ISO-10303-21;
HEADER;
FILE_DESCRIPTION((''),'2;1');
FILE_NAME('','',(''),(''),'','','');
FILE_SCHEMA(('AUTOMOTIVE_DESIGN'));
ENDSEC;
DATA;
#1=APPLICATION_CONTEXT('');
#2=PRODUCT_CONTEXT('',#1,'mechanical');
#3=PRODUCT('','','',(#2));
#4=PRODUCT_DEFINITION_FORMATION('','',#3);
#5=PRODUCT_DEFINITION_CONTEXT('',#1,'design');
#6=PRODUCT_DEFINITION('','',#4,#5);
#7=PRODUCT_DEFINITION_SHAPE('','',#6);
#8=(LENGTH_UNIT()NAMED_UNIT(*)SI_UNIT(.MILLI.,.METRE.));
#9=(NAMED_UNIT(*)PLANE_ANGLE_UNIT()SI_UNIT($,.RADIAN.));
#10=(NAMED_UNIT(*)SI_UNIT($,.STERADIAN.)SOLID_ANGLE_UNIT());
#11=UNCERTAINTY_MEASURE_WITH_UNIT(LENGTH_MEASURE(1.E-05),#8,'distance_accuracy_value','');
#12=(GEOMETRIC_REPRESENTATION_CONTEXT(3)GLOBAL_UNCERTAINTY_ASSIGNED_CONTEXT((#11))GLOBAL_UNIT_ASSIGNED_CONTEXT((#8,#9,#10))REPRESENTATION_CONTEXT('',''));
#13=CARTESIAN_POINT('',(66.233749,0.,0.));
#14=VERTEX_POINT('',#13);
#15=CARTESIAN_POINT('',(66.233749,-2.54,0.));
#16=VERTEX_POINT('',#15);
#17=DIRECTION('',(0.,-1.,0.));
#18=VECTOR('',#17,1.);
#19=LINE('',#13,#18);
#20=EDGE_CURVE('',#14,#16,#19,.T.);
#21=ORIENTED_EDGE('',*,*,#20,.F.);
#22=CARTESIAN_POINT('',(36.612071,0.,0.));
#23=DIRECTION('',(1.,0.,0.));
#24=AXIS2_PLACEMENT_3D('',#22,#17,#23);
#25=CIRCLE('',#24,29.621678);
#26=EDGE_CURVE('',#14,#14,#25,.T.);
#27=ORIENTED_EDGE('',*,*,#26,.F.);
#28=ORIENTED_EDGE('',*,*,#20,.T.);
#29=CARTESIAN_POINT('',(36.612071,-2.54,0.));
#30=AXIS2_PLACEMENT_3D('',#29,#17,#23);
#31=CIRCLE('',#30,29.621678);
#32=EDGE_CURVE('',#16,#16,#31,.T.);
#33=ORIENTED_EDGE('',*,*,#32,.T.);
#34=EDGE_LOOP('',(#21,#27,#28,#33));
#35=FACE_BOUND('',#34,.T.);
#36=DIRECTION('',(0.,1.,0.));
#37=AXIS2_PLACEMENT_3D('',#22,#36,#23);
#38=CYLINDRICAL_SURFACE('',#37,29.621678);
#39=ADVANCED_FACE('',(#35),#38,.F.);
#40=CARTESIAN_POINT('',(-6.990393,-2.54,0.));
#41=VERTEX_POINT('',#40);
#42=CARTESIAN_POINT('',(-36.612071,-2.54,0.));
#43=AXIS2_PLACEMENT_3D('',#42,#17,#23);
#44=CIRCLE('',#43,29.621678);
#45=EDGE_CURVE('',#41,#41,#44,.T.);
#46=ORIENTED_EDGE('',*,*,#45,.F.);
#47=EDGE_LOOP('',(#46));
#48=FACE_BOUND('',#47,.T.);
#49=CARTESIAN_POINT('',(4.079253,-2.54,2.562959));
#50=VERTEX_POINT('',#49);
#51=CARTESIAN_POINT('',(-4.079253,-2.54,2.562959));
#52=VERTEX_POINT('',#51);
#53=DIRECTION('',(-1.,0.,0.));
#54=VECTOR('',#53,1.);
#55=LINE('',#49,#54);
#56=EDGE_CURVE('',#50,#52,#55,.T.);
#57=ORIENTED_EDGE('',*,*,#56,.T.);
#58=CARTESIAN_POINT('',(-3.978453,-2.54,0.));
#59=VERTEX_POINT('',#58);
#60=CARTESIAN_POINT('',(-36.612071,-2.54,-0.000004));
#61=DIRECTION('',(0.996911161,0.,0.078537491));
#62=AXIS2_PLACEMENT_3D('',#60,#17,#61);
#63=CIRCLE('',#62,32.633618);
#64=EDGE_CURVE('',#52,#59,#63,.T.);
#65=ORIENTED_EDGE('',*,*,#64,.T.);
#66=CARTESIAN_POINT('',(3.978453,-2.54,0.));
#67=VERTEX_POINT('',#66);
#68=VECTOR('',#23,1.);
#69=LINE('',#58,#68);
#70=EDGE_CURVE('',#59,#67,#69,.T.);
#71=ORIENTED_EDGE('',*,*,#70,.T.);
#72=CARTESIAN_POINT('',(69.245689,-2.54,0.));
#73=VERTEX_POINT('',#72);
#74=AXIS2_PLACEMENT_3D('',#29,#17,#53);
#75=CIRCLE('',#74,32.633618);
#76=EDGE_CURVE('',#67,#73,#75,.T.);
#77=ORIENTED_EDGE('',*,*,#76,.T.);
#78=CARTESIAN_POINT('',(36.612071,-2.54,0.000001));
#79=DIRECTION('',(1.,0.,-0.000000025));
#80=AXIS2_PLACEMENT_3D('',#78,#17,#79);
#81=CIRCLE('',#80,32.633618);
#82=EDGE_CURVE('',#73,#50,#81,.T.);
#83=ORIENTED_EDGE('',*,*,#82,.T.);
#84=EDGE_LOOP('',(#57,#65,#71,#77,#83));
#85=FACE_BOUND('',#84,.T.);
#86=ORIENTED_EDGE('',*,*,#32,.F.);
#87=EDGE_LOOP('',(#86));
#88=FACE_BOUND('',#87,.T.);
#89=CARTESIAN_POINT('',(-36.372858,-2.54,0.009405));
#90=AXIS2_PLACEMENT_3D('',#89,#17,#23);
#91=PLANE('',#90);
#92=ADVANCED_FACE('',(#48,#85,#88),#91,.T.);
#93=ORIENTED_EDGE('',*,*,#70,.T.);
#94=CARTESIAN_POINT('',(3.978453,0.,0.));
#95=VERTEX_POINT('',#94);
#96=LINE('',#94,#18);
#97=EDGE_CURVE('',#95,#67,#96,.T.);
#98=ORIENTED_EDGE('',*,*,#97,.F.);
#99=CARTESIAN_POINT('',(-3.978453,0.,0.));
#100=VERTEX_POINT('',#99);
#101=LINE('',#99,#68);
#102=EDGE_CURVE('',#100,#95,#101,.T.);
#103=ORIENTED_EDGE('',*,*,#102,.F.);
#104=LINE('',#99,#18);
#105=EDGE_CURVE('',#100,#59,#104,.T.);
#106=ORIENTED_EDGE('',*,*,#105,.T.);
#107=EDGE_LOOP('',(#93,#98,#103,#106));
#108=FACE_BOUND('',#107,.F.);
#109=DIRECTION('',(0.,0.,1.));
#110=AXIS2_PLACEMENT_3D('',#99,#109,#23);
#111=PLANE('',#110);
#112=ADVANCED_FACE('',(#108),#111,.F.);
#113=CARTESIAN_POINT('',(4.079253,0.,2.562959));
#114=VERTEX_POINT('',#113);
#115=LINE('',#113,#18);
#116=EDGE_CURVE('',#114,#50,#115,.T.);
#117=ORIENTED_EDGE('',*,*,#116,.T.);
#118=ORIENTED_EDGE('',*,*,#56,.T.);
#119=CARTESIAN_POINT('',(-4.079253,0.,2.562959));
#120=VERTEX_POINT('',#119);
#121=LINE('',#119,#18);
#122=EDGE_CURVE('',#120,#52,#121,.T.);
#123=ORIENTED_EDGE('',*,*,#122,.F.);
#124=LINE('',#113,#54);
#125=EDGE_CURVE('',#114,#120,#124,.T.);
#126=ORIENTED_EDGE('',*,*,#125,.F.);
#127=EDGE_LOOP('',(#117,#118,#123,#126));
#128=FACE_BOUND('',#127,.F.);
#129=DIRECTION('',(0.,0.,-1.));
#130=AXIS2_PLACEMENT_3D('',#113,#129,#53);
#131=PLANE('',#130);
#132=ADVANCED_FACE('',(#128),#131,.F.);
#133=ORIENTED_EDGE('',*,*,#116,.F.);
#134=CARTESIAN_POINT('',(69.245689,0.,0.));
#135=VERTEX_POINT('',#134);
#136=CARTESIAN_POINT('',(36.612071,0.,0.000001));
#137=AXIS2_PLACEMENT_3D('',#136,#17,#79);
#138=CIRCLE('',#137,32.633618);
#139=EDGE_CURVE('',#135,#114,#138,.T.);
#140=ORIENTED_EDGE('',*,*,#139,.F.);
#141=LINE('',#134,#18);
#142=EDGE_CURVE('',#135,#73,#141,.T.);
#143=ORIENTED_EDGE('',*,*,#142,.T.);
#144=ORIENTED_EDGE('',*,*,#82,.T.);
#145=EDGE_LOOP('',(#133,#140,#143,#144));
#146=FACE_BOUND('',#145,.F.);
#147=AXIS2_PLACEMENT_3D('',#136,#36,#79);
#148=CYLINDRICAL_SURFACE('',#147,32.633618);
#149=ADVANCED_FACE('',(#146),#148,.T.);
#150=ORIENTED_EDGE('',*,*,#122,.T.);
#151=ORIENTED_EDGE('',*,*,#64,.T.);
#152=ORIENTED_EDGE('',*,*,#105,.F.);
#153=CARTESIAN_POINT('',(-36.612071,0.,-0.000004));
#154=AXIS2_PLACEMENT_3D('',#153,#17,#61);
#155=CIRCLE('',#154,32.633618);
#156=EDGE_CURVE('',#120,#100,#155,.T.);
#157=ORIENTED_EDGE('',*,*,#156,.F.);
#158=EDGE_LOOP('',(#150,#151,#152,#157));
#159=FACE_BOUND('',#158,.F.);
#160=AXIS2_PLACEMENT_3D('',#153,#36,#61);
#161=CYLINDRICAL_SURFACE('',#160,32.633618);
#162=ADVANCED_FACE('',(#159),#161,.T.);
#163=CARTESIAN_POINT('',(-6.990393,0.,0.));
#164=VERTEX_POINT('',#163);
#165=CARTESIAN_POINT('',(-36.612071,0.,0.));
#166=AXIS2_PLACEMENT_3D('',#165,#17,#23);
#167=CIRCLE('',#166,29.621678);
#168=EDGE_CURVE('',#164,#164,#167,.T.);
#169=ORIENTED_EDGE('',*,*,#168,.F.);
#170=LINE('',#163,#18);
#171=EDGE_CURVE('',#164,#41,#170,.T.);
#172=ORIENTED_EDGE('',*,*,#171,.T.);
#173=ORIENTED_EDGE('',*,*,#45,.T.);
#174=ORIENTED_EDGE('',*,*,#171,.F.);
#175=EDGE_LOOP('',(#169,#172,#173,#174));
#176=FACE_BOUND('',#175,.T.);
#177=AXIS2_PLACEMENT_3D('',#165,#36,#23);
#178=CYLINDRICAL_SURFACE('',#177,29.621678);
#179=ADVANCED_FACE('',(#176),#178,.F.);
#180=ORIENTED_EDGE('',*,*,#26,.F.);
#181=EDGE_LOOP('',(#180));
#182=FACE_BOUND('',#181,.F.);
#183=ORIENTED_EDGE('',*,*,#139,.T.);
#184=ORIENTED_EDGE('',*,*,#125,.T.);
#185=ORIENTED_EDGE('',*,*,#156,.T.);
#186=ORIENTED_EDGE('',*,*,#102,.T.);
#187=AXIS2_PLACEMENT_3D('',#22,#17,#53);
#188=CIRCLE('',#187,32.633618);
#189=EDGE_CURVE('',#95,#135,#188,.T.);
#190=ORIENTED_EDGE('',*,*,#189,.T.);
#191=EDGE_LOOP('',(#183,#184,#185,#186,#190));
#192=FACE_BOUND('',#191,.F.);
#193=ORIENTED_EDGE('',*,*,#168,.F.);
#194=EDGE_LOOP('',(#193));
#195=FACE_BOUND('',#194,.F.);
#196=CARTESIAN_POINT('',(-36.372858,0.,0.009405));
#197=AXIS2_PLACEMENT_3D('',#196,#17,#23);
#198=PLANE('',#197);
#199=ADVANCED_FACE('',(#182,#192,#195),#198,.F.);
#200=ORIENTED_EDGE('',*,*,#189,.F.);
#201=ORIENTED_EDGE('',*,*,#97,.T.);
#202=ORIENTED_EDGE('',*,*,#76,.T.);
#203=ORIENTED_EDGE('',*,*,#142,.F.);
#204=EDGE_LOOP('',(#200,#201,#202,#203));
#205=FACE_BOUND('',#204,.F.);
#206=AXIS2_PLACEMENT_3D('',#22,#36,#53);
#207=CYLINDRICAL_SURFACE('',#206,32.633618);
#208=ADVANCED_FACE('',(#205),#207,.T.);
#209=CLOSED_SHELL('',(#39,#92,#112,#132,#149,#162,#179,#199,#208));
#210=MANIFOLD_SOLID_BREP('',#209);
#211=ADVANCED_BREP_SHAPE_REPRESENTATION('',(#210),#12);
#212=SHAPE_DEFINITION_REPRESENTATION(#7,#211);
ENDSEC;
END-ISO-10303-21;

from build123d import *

# Parameters (mm, degrees)
F0_R     = 29.621678
F1_DEPTH = 2.54


with BuildPart() as f1:
    # F0 (on Front) → F1 (new body)
    with BuildSketch(Plane.XZ):
        with BuildLine():
            ThreePointArc((-4.079253, 2.562959), (-69.22048, -1.28247), (-3.978453, 0))
            ThreePointArc((-3.978453, 0), (-4.003663, 1.28247), (-4.079253, 2.562959))
        make_face()
        with Locations((-36.612071, 0)):
            Circle(F0_R, mode=Mode.SUBTRACT)
        with BuildLine():
            ThreePointArc((-4.079253, 2.562959), (-4.003663, 1.28247), (-3.978453, 0))
            Line((-3.978453, 0), (0, 0))
            Line((0, 0), (3.978453, 0))
            ThreePointArc((3.978453, 0), (4.003663, 1.28247), (4.079253, 2.562959))
            Line((4.079253, 2.562959), (0, 2.562959))
            Line((0, 2.562959), (-4.079253, 2.562959))
        make_face()
        with BuildLine():
            ThreePointArc((4.079253, 2.562959), (4.003663, 1.28247), (3.978453, 0))
            ThreePointArc((3.978453, 0), (36.612071, -32.633618), (69.245689, 0))
            ThreePointArc((69.245689, 0), (37.894541, 32.608409), (4.079253, 2.562959))
        make_face()
        with Locations((36.612071, 0)):
            Circle(F0_R, mode=Mode.SUBTRACT)
    extrude(amount=F1_DEPTH)


solid = f1.part
